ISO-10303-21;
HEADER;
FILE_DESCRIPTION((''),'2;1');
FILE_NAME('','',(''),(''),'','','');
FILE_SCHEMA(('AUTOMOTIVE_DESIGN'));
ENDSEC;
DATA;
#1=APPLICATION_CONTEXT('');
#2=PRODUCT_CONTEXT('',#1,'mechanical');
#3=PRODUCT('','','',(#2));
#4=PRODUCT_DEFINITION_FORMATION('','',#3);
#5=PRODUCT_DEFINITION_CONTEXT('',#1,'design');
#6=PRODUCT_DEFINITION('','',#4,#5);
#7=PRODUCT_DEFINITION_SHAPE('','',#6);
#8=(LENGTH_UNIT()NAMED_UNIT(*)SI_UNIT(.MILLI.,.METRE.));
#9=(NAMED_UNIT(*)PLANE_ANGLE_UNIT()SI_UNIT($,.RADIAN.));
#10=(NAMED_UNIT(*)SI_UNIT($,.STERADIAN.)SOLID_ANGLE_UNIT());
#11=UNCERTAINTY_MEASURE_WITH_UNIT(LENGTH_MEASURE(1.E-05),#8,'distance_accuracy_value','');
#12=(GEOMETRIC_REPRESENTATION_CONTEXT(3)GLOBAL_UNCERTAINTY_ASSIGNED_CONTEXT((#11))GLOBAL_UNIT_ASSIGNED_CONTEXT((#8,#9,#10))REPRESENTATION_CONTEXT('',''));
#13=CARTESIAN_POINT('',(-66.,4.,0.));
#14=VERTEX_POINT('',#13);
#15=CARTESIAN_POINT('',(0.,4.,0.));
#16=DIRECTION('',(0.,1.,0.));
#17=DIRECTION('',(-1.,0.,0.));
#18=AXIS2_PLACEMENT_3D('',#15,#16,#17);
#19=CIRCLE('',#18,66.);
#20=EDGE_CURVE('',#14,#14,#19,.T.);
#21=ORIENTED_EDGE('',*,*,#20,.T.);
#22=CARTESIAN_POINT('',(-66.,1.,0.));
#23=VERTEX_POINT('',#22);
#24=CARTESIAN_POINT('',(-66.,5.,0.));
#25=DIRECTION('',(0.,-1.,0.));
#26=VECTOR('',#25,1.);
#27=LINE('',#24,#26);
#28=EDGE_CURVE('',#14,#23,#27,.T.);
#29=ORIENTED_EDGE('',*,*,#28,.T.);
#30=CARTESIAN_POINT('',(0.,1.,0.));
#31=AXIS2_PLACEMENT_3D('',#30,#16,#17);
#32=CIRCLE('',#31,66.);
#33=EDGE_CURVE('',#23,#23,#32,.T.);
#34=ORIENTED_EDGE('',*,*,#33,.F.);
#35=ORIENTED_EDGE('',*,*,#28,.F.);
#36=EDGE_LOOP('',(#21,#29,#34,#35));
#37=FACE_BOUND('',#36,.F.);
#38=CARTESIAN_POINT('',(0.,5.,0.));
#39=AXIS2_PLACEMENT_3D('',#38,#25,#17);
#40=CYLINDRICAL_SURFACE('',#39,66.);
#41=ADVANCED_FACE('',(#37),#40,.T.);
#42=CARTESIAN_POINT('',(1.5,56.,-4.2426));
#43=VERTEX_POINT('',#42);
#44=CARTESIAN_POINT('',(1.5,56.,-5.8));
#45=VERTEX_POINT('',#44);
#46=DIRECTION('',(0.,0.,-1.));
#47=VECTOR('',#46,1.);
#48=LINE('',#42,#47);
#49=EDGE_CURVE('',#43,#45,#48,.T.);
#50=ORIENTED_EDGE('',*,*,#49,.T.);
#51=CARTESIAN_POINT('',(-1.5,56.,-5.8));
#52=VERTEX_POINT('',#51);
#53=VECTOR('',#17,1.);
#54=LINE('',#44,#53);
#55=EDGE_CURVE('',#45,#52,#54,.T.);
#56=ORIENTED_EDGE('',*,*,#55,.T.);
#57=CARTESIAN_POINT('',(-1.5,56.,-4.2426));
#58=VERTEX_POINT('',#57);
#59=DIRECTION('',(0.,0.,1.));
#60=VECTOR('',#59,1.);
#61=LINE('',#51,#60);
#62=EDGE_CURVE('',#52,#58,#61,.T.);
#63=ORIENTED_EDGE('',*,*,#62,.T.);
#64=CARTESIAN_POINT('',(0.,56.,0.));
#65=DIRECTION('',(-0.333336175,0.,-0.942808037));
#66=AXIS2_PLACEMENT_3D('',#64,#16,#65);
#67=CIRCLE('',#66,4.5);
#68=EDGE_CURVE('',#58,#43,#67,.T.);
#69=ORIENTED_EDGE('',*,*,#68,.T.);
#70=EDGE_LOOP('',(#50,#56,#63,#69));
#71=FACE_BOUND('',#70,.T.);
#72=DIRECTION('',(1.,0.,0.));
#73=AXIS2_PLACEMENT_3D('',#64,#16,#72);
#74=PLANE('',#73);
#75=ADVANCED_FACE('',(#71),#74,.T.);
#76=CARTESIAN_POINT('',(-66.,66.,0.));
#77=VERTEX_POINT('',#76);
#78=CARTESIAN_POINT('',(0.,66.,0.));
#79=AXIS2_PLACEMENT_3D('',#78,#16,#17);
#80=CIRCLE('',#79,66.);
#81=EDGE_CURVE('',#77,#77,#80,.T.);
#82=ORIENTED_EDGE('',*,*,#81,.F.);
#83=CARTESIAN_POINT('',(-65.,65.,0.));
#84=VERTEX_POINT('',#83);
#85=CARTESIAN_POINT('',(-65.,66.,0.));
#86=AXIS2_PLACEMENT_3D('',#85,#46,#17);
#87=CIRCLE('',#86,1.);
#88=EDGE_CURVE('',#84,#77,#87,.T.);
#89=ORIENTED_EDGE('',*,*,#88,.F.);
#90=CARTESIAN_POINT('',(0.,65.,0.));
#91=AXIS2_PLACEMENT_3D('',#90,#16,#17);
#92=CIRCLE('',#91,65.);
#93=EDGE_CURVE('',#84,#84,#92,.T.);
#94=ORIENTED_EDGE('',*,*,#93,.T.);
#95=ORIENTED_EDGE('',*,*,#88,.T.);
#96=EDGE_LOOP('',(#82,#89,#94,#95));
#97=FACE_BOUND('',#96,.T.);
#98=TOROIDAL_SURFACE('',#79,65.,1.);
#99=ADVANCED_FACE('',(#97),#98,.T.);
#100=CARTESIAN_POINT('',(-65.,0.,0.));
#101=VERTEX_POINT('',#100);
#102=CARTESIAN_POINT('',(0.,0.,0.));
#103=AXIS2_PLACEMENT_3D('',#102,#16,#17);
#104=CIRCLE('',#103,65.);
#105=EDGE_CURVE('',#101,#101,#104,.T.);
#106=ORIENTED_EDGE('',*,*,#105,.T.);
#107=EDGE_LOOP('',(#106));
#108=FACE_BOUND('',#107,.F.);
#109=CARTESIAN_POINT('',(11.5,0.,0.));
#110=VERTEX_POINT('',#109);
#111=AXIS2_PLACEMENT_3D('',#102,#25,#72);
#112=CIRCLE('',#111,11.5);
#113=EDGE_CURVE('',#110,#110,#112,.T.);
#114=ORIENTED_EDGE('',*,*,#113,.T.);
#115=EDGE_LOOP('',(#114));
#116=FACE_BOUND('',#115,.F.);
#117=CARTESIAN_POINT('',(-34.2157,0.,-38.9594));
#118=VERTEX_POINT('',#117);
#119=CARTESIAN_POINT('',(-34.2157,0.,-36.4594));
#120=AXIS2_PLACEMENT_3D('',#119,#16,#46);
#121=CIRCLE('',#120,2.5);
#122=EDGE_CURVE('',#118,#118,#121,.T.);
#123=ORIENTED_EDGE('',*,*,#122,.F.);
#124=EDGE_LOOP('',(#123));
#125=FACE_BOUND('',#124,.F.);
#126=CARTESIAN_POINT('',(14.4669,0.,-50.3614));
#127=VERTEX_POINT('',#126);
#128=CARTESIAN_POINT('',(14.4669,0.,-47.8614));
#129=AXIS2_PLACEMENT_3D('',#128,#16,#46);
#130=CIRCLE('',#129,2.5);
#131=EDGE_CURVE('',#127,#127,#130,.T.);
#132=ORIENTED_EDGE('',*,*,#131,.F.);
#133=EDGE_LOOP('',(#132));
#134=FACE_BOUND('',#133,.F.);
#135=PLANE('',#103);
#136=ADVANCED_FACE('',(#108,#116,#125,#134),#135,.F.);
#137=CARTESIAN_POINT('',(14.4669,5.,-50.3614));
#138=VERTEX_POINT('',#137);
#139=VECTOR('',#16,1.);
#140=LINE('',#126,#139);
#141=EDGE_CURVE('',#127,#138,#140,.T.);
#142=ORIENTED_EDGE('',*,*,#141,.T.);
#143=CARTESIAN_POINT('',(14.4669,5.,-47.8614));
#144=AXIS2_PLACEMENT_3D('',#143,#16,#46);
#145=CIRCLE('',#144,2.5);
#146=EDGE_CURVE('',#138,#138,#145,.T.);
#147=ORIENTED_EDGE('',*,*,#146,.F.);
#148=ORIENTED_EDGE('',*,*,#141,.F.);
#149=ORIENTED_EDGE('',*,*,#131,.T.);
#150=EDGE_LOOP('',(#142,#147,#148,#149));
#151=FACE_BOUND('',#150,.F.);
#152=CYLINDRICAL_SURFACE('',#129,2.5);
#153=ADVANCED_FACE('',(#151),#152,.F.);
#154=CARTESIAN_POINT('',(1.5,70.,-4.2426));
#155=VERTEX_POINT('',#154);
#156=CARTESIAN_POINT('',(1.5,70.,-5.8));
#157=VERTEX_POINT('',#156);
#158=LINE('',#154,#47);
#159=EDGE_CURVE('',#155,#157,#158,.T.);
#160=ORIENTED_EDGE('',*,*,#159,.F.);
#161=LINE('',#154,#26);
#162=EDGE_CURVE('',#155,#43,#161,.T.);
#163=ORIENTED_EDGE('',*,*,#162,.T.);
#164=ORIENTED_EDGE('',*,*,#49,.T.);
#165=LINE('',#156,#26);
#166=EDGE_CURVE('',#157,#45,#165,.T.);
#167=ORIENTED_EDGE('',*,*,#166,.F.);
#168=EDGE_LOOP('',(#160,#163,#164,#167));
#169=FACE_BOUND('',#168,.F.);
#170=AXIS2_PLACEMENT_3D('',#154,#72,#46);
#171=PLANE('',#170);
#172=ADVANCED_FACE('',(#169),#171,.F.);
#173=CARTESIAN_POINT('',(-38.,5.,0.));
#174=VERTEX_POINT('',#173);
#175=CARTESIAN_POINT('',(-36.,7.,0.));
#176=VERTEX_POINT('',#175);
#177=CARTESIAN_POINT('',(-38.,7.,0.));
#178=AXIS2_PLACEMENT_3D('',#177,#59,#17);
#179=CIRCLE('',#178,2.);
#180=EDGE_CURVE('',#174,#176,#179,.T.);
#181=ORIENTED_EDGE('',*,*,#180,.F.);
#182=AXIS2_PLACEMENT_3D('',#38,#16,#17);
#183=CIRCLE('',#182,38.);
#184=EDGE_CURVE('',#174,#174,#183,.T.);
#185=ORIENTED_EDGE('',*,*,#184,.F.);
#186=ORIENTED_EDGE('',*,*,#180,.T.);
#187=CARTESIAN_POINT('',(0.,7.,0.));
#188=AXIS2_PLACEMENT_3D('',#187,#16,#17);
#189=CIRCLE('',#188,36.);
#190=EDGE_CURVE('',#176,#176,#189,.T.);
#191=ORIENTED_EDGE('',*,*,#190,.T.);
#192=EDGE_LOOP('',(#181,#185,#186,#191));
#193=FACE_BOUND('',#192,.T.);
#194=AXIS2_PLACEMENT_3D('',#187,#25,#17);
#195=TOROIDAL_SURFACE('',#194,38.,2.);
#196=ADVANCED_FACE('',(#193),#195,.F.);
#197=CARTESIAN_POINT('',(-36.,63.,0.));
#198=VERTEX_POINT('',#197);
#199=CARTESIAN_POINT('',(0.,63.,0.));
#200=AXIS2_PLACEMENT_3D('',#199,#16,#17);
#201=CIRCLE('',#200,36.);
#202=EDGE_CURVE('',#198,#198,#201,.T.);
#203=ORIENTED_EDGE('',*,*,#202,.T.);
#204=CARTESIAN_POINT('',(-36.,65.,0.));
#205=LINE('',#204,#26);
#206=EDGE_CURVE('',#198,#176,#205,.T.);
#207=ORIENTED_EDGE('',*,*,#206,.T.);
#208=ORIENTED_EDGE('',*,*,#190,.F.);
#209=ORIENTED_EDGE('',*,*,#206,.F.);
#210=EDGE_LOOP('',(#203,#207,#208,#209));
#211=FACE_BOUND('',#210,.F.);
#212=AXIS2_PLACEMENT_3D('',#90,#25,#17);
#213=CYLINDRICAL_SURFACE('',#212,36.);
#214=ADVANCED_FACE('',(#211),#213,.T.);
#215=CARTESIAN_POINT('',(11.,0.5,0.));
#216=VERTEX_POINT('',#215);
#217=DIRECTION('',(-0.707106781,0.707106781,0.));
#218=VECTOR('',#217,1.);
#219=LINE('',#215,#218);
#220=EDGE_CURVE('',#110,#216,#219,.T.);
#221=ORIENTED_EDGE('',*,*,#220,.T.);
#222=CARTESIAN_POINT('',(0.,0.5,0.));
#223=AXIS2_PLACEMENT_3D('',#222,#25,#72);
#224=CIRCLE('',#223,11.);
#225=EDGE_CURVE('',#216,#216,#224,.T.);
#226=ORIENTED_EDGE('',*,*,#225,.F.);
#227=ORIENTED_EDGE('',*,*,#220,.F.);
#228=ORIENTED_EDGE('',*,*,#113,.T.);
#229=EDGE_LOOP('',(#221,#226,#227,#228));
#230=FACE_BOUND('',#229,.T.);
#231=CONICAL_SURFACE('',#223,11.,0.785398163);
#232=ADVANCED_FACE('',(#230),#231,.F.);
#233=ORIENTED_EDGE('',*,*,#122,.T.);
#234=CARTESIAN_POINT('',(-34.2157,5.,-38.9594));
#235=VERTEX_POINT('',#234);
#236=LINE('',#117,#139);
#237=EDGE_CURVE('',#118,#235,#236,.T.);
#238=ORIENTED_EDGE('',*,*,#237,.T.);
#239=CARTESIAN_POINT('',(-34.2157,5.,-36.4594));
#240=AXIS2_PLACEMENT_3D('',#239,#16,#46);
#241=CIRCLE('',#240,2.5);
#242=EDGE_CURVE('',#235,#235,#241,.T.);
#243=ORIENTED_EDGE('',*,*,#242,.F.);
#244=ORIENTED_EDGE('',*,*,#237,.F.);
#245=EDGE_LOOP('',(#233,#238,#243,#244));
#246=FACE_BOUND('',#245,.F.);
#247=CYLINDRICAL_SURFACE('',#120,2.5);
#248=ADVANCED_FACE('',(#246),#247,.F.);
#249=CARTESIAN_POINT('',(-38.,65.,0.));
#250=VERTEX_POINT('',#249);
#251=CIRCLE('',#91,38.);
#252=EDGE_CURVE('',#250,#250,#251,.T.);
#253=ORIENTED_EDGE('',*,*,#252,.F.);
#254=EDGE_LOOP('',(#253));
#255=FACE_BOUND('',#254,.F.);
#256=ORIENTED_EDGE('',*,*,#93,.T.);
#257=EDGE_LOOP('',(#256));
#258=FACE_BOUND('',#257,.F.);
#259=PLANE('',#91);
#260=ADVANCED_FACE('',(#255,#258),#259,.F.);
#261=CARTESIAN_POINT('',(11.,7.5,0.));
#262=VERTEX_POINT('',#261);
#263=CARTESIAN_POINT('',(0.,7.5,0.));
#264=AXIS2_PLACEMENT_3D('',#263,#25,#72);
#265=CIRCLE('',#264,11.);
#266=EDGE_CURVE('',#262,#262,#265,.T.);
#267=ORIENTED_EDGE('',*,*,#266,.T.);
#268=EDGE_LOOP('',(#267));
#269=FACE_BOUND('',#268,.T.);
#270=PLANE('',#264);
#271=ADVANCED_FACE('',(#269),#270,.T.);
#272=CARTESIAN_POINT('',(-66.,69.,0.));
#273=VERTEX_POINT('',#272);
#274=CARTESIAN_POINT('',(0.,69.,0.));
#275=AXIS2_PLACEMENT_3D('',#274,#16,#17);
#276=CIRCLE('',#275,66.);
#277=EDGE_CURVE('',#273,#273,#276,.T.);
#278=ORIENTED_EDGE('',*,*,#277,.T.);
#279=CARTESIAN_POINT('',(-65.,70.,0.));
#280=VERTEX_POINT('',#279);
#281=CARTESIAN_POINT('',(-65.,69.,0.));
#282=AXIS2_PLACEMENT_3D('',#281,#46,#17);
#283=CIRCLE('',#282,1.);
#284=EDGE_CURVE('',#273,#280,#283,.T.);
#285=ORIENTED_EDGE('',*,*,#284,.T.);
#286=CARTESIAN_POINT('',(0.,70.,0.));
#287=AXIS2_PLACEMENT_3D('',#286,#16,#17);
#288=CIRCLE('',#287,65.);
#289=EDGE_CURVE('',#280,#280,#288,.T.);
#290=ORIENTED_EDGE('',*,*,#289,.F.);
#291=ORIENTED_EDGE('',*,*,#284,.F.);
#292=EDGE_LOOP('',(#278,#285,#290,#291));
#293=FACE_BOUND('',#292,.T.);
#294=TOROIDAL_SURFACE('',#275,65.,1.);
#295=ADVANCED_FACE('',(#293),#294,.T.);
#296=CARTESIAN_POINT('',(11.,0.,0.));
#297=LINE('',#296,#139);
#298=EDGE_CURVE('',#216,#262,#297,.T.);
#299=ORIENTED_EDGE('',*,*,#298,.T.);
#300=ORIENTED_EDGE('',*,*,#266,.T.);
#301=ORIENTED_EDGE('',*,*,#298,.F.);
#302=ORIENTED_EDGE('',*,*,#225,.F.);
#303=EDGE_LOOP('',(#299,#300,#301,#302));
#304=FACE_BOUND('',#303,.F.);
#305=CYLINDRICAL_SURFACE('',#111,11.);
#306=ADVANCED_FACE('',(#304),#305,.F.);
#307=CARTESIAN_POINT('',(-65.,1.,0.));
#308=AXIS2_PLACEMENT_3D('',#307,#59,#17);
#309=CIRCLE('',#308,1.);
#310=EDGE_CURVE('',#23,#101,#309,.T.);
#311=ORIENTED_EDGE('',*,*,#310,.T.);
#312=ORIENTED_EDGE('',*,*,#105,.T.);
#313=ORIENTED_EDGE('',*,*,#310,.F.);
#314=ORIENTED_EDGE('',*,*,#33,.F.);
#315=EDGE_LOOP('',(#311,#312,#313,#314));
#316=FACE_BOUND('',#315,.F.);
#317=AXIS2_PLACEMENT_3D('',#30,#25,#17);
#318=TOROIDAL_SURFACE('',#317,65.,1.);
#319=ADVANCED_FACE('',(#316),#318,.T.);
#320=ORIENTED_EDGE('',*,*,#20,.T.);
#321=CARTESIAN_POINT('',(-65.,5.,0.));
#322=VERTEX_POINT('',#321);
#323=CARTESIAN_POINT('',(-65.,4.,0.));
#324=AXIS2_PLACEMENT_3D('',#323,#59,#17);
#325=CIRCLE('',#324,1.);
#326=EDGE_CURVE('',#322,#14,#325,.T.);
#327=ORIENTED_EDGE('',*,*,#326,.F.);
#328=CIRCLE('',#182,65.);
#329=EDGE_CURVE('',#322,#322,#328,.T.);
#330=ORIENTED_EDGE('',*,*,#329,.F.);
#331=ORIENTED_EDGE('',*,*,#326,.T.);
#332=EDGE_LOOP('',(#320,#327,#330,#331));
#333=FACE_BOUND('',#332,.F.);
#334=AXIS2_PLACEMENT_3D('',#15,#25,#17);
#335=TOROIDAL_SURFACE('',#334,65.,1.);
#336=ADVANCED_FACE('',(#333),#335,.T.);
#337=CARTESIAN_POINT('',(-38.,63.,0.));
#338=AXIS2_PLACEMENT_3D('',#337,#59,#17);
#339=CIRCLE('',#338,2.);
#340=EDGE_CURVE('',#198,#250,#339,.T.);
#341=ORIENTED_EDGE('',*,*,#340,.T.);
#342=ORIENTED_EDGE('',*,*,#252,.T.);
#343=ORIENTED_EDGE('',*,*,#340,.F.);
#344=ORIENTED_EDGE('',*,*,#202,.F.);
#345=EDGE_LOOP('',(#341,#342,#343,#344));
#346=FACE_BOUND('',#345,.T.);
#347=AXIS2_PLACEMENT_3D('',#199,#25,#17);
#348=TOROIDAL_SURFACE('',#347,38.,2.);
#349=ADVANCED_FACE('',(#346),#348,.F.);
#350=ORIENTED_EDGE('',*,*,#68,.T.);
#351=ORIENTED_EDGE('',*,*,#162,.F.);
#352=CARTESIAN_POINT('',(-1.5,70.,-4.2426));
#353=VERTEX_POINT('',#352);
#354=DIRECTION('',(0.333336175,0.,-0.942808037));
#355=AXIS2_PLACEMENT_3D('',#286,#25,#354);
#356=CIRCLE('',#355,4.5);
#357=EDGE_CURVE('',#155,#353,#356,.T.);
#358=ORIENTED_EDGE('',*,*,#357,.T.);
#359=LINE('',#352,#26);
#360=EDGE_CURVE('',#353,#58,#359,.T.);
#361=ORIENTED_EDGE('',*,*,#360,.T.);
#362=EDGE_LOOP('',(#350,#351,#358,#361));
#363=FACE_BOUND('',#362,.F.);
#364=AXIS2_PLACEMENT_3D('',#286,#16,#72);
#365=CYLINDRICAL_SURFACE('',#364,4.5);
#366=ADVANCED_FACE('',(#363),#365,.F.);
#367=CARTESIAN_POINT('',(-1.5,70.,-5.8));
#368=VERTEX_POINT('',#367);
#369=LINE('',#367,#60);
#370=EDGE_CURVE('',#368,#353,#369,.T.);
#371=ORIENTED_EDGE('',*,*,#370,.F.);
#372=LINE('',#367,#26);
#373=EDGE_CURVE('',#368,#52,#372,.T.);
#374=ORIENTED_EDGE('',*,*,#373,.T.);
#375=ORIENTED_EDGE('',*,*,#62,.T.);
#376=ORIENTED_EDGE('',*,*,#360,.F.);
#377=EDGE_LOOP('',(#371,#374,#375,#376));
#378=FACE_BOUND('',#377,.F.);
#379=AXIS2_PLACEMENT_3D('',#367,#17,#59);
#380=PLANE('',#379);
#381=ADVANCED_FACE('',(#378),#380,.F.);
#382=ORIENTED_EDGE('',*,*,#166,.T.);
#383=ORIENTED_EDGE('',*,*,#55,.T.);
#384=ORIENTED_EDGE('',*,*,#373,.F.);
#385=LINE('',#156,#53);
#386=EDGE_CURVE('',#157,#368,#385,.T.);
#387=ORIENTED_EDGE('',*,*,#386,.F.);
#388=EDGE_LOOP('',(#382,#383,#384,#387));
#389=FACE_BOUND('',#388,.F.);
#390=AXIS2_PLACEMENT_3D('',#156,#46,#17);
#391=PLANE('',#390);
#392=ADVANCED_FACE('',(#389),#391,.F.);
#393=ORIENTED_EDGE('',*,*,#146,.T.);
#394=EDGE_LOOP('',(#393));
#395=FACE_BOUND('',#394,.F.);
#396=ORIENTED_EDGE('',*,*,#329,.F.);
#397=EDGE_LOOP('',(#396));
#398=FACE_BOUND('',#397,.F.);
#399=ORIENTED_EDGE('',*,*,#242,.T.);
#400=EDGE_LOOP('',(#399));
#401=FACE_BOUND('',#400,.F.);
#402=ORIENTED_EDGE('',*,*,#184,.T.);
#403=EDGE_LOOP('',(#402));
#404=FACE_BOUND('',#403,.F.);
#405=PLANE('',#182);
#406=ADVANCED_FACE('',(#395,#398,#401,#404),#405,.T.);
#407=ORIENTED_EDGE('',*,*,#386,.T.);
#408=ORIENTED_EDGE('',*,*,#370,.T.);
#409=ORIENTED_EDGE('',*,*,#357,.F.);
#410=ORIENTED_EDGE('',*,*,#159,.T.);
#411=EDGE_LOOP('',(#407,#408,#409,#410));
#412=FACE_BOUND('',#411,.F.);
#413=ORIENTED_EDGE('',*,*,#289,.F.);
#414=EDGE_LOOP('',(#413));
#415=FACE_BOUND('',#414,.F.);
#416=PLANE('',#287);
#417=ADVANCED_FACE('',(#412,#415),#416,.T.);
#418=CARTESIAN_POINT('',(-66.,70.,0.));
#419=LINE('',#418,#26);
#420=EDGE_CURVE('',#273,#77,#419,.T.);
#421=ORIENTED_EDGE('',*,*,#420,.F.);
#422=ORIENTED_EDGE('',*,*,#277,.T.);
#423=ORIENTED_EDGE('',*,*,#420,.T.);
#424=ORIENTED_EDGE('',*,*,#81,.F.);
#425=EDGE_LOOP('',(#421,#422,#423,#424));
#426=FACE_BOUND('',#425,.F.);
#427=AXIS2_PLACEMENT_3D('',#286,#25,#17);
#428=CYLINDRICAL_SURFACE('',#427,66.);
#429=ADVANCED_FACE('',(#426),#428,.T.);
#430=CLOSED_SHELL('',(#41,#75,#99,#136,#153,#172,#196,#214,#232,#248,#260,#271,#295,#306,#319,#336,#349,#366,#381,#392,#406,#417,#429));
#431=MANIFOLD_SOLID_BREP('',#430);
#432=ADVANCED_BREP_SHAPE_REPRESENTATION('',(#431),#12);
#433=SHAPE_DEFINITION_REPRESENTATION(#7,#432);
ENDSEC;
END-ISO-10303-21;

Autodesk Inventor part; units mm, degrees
ref_plane "YZ Plane" through (0, 0, 0) normal (1, 0, 0) x (0, 1, 0)
ref_plane "XZ Plane" through (0, 0, 0) normal (0, 1, 0) x (-1, 0, 0)
sketch "Sketch1" plane through (0, 0, 0) normal (0, 0, 1) x (1, 0, 0)
  line L0 (0, 70) -> (-66, 70)
  line L1 (-66, 70) -> (-66, 65)
  line L2 (-66, 65) -> (-36, 65)
  line L3 (-36, 65) -> (-36, 5)
  line L4 (-36, 5) -> (-66, 5)
  line L5 (-66, 5) -> (-66, 0)
  line L6 (-66, 0) -> (0, 0)
  line L7 (0, 0) -> (0, 70)
  dimension "d0" = 5
  dimension "d1" = 5
  dimension "d2" = 66
  dimension "d3" = 36
  dimension "d4" = 60
revolve "Revolution1" add sketch "Sketch1" angle 360 about axis through (0, 0, 0) along (0, 1, 0)
fillet "Fillet1" radius 2 2 edges at (36, 5, 0) (36, 65, 0)
fillet "Fillet2" radius 1 4 edges at (66, 70, 0) (66, 65, 0) (66, 5, 0) (66, 0, 0)
sketch "Sketch2" plane through (0, 70, 0) normal (0, 1, 0) x (1, 0, 0)
  circle A0 centre (0, 0) radius 4.5
  line L0 (-1.5, 4.2426) -> (1.5, 4.2426)
  line L1 (1.5, 4.2426) -> (1.5, 5.8)
  line L2 (1.5, 5.8) -> (-1.5, 5.8)
  line L3 (-1.5, 5.8) -> (-1.5, 4.2426)
  dimension "d8" = 9
  dimension "d9" = 5.8
  dimension "d10" = 3
extrude "Extrusion1" cut sketch "Sketch2" against normal blind 14
sketch "Sketch3" plane through (0, 0, 0) normal (0, -1, 0) x (1, 0, 0)
  point P0 (0, 0)
  point P1 (14.4669, -47.8614)
  point P2 (-34.2157, -36.4594)
  dimension "d13" = 50
  dimension "d14" = 50
  dimension "d15" = 50
hole "Hole1" at (14.4669, 0, -47.8614) at (-34.2157, 0, -36.4594) direction (0, 1, 0) diameter 5 depth 8
ref_plane "midPlane" through (0, 35, 0) normal (0, 1, 0) x (1, 0, 0)
sketch "Sketch4" plane through (0, 0, 0) normal (0, -1, 0) x (1, 0, 0)
  circle A0 centre (0, 0) radius 11
  point P0 (0, 0)
  dimension "d23" = 22
extrude "Extrusion2" cut sketch "Sketch4" against normal blind 7.5
chamfer "Chamfer1" distance 0.5 angle 45 1 edges at (-11, 0, 0)
equation "\"d1\" = d0"
equation "\"d14\" = d13"
properties part number "reel" material "Steel, Mild"
